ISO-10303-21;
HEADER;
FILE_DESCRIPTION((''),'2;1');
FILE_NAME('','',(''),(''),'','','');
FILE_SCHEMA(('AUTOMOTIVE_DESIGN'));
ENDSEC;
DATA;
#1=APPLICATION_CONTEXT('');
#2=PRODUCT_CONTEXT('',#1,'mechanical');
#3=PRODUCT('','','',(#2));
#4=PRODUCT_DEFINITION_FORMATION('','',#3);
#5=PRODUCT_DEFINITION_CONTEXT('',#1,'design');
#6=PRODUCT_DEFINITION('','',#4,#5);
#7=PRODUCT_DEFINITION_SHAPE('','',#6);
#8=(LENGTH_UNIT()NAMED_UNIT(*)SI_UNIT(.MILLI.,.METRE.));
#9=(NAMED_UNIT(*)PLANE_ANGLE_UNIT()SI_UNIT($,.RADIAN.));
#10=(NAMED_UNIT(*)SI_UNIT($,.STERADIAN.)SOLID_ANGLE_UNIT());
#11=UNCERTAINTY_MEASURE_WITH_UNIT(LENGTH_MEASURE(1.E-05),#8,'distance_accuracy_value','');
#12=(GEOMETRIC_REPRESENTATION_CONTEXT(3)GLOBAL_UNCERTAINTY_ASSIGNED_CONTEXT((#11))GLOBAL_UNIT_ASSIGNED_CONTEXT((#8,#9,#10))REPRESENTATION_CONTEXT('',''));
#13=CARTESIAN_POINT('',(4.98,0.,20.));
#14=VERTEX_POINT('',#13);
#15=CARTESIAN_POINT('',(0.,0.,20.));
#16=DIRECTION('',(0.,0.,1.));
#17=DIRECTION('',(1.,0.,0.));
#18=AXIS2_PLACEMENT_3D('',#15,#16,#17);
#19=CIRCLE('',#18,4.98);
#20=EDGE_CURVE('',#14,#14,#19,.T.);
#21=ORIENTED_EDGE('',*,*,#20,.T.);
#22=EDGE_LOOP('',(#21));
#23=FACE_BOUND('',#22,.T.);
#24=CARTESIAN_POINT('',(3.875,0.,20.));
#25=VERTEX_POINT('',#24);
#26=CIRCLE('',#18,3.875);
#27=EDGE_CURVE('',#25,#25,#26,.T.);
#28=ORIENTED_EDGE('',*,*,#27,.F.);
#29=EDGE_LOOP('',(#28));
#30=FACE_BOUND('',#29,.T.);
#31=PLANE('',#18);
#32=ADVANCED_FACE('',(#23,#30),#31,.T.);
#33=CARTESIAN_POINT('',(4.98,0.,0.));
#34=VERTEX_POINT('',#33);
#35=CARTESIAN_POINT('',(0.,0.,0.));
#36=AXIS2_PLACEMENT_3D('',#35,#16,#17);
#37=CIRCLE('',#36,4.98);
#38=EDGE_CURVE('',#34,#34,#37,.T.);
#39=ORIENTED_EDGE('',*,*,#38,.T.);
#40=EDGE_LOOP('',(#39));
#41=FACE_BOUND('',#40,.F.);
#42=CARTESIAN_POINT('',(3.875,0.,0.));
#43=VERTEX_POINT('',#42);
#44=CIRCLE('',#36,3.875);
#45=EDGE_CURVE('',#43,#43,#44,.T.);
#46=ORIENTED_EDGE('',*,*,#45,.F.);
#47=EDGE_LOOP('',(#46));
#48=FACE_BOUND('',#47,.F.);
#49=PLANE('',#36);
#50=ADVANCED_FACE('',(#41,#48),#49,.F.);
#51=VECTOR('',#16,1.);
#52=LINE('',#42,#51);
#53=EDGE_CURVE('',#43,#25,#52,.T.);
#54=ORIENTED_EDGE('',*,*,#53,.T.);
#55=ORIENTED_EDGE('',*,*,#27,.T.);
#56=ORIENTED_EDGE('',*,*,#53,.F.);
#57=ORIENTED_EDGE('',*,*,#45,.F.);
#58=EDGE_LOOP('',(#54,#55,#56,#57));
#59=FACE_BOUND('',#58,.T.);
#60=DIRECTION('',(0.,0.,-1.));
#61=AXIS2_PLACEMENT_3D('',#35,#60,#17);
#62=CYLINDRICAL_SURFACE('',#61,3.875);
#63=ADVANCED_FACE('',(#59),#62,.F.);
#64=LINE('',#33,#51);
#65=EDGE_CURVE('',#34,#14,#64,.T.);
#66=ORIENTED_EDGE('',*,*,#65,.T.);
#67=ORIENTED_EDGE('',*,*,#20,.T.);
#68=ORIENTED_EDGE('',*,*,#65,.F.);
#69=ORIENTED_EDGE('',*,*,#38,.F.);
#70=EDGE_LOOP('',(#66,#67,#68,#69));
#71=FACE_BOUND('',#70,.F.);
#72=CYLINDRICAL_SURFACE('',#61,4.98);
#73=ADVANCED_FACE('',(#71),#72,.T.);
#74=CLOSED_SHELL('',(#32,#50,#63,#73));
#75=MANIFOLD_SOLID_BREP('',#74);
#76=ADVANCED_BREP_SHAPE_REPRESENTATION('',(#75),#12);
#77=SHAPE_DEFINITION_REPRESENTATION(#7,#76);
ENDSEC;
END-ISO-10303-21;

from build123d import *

# Parameters (mm, degrees)
SKETCH_R   = 4.98
SKETCH_R_2 = 3.875
PAD_DEPTH  = 20


with BuildPart() as part:
    # Sketch → Pad (new body)
    with BuildSketch(Plane.XY):
        Circle(SKETCH_R)
        Circle(SKETCH_R_2, mode=Mode.SUBTRACT)
    extrude(amount=PAD_DEPTH)


solid = part.part
